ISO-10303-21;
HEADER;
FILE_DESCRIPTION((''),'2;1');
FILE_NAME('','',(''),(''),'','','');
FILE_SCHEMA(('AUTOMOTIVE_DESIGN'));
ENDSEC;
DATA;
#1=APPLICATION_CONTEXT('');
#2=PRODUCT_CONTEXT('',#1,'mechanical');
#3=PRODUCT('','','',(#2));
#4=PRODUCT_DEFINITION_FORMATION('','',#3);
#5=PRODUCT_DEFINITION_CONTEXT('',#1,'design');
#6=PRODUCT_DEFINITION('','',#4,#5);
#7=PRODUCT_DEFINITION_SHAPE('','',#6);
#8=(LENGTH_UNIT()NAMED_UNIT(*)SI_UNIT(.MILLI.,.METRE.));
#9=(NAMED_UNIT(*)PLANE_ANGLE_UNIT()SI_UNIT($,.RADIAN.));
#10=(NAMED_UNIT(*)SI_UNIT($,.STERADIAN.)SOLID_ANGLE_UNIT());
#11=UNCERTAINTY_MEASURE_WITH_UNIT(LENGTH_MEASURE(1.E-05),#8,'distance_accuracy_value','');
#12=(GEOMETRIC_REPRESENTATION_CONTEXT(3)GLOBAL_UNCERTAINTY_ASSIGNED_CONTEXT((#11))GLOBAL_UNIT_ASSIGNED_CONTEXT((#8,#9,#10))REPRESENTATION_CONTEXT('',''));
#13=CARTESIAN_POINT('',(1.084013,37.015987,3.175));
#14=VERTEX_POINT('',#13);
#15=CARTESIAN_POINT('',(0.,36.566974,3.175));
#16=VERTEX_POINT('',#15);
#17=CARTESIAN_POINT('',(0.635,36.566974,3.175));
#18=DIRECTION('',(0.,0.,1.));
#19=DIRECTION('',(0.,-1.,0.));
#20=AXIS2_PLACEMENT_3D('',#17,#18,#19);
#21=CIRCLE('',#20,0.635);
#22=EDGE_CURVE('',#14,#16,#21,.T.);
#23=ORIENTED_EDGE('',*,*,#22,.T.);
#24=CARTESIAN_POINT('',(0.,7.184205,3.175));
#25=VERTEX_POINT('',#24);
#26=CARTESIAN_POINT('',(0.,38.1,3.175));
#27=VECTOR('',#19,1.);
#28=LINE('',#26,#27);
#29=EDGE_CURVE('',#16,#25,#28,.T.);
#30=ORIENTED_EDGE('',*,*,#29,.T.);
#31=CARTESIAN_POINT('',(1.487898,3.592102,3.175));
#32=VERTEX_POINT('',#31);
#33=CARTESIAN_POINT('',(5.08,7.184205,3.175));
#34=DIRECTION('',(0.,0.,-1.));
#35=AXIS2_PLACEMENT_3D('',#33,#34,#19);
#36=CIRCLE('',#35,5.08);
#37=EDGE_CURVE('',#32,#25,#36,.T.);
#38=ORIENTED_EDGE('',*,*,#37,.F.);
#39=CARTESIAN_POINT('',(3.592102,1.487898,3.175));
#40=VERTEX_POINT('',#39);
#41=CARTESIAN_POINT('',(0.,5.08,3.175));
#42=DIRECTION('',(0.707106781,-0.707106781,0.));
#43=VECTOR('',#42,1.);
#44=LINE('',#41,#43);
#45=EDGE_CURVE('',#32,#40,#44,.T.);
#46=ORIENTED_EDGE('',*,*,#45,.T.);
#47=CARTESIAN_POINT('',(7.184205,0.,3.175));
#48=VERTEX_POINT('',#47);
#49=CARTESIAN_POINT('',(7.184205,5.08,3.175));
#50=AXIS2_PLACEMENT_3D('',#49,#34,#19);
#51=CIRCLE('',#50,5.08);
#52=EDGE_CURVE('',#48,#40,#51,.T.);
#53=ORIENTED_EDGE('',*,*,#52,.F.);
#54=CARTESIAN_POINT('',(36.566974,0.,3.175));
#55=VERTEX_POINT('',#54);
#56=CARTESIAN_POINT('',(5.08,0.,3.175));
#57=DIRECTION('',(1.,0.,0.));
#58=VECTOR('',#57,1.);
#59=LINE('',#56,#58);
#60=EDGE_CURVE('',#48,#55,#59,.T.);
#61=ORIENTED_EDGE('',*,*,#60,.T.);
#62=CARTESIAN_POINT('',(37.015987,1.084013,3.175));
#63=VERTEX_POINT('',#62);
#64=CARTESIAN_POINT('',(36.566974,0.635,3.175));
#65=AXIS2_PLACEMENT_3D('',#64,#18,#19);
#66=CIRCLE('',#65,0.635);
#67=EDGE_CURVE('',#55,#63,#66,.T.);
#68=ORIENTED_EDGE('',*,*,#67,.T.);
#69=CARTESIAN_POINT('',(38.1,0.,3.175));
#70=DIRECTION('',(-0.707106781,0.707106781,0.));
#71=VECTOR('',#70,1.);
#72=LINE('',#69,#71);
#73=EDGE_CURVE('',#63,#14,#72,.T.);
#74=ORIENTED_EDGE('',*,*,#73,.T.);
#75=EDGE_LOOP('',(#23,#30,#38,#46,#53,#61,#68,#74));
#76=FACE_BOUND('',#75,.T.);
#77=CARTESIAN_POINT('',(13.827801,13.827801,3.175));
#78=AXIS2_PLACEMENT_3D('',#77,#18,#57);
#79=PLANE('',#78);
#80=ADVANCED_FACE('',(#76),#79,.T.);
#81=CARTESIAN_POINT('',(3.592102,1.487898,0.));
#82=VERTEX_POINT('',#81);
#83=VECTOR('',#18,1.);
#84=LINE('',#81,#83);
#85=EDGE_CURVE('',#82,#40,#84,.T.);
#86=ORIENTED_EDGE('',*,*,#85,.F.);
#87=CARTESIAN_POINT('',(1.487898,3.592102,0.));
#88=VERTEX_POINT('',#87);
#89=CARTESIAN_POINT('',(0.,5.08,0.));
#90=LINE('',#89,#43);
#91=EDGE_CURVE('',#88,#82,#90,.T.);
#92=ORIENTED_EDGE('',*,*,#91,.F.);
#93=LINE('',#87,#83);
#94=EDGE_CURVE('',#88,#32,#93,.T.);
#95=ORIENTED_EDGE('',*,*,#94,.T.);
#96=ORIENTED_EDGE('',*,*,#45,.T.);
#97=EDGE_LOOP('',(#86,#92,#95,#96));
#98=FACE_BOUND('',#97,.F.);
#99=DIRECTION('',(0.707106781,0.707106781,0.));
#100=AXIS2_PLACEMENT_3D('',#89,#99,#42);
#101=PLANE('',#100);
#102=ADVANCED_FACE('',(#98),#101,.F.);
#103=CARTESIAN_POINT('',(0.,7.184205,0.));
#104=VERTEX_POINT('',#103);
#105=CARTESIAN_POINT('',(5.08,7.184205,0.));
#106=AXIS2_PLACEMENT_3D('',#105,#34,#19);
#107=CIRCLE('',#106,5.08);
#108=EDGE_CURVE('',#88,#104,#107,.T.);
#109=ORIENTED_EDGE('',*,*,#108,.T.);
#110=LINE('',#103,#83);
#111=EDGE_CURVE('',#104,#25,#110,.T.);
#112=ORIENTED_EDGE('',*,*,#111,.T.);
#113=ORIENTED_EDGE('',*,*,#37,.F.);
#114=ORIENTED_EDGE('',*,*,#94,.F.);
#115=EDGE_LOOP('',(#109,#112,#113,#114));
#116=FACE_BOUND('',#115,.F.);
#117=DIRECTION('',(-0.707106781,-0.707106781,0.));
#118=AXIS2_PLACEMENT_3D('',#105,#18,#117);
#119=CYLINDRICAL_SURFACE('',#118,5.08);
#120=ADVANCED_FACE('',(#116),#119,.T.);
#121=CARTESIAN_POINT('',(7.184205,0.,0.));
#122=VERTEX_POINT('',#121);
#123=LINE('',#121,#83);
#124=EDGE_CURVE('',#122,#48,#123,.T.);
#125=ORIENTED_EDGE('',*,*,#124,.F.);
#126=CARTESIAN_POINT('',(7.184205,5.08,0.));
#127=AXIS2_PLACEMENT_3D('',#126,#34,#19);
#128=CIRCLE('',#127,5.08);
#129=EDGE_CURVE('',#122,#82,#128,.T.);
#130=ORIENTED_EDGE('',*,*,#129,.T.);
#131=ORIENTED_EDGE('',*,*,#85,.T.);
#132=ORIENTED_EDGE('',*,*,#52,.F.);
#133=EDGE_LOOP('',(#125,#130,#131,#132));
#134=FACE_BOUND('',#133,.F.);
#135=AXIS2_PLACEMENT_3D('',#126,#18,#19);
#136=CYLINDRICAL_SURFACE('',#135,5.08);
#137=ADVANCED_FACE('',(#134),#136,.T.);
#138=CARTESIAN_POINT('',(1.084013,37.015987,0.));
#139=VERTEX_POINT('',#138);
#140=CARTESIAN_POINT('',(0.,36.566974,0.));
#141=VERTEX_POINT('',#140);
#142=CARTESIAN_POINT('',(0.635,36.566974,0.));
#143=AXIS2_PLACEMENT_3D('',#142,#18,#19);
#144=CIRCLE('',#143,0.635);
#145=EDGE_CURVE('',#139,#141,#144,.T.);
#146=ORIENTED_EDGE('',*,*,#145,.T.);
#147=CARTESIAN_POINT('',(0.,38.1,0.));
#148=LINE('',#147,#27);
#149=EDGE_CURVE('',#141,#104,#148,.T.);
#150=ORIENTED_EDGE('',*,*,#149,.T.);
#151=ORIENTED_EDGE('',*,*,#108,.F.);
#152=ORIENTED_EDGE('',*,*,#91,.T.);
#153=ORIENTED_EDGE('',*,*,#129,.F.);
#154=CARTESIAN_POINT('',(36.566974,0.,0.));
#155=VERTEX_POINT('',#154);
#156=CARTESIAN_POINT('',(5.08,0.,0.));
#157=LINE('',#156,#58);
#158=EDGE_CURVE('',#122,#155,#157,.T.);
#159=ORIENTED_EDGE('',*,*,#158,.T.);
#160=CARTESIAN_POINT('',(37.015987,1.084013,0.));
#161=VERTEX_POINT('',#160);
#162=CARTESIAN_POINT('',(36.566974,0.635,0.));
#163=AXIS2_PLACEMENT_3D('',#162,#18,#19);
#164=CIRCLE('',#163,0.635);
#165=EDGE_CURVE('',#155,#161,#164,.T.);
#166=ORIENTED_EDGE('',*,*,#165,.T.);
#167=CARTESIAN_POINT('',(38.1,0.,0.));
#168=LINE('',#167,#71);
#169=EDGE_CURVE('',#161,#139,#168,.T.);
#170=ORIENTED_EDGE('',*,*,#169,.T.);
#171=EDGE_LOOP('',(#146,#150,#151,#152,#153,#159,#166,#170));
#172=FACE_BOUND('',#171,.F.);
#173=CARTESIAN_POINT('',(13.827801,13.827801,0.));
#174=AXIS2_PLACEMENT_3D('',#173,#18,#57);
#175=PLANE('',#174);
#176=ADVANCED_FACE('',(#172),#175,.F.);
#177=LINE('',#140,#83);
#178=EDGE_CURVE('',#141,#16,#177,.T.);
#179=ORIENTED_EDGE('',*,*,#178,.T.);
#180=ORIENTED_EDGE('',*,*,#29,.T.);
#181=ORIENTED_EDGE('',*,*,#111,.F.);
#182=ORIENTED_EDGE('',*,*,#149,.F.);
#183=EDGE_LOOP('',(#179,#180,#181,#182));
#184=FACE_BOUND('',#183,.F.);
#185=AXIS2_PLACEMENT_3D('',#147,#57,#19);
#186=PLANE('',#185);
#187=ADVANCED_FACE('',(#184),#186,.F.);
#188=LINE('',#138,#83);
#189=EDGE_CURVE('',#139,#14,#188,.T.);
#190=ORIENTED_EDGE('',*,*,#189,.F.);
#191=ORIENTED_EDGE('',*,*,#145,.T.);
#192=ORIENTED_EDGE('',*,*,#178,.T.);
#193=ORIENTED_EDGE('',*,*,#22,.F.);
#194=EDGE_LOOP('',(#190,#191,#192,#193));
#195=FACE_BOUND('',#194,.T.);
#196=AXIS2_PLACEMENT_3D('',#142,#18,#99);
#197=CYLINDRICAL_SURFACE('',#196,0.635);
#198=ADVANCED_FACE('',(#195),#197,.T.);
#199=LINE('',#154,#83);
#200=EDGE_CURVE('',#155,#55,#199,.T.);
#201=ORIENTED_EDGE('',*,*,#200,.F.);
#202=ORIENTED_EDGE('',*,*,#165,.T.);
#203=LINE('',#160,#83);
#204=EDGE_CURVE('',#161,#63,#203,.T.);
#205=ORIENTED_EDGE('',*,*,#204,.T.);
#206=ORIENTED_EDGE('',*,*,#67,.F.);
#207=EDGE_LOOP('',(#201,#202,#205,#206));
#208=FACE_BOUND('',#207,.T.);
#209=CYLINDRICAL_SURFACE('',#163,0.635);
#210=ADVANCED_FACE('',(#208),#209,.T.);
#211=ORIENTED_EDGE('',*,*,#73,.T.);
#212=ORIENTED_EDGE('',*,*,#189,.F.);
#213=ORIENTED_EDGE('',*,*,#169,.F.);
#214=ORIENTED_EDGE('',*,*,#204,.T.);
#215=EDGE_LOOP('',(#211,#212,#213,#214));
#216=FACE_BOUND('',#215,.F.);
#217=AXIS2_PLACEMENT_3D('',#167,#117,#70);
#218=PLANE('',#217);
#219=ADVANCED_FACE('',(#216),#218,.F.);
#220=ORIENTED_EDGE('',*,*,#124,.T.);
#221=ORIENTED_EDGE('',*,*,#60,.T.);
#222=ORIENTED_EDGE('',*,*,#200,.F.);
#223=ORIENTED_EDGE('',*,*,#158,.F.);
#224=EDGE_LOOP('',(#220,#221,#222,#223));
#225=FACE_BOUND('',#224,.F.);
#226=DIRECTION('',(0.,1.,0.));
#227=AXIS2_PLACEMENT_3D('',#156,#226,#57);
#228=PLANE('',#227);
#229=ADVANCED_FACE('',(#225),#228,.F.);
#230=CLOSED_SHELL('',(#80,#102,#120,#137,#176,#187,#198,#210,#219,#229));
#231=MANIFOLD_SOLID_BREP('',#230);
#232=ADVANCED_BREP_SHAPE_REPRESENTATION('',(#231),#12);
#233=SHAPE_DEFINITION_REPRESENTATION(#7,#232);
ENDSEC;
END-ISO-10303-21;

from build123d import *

# Parameters (mm, degrees)
F1_DEPTH = 3.175
F2_R     = 0.635
F3_R     = 5.08


with BuildPart() as f1:
    # F0 (on Top) → F1 (new body)
    with BuildSketch(Plane.XY):
        Polygon((0, 5.08), (5.08, 0), (38.1, 0), (0, 38.1), align=None)
    extrude(amount=F1_DEPTH)

    # F2
    f2_edges = [f1.edges().sort_by_distance(p)[0] for p in [
        (0, 38.1, 1.5875),
        (38.1, 0, 1.5875),
    ]]
    fillet(f2_edges, radius=F2_R)

    # F3
    f3_edges = [f1.edges().sort_by_distance(p)[0] for p in [
        (5.08, 0, 1.5875),
        (0, 5.08, 1.5875),
    ]]
    fillet(f3_edges, radius=F3_R)


solid = f1.part
